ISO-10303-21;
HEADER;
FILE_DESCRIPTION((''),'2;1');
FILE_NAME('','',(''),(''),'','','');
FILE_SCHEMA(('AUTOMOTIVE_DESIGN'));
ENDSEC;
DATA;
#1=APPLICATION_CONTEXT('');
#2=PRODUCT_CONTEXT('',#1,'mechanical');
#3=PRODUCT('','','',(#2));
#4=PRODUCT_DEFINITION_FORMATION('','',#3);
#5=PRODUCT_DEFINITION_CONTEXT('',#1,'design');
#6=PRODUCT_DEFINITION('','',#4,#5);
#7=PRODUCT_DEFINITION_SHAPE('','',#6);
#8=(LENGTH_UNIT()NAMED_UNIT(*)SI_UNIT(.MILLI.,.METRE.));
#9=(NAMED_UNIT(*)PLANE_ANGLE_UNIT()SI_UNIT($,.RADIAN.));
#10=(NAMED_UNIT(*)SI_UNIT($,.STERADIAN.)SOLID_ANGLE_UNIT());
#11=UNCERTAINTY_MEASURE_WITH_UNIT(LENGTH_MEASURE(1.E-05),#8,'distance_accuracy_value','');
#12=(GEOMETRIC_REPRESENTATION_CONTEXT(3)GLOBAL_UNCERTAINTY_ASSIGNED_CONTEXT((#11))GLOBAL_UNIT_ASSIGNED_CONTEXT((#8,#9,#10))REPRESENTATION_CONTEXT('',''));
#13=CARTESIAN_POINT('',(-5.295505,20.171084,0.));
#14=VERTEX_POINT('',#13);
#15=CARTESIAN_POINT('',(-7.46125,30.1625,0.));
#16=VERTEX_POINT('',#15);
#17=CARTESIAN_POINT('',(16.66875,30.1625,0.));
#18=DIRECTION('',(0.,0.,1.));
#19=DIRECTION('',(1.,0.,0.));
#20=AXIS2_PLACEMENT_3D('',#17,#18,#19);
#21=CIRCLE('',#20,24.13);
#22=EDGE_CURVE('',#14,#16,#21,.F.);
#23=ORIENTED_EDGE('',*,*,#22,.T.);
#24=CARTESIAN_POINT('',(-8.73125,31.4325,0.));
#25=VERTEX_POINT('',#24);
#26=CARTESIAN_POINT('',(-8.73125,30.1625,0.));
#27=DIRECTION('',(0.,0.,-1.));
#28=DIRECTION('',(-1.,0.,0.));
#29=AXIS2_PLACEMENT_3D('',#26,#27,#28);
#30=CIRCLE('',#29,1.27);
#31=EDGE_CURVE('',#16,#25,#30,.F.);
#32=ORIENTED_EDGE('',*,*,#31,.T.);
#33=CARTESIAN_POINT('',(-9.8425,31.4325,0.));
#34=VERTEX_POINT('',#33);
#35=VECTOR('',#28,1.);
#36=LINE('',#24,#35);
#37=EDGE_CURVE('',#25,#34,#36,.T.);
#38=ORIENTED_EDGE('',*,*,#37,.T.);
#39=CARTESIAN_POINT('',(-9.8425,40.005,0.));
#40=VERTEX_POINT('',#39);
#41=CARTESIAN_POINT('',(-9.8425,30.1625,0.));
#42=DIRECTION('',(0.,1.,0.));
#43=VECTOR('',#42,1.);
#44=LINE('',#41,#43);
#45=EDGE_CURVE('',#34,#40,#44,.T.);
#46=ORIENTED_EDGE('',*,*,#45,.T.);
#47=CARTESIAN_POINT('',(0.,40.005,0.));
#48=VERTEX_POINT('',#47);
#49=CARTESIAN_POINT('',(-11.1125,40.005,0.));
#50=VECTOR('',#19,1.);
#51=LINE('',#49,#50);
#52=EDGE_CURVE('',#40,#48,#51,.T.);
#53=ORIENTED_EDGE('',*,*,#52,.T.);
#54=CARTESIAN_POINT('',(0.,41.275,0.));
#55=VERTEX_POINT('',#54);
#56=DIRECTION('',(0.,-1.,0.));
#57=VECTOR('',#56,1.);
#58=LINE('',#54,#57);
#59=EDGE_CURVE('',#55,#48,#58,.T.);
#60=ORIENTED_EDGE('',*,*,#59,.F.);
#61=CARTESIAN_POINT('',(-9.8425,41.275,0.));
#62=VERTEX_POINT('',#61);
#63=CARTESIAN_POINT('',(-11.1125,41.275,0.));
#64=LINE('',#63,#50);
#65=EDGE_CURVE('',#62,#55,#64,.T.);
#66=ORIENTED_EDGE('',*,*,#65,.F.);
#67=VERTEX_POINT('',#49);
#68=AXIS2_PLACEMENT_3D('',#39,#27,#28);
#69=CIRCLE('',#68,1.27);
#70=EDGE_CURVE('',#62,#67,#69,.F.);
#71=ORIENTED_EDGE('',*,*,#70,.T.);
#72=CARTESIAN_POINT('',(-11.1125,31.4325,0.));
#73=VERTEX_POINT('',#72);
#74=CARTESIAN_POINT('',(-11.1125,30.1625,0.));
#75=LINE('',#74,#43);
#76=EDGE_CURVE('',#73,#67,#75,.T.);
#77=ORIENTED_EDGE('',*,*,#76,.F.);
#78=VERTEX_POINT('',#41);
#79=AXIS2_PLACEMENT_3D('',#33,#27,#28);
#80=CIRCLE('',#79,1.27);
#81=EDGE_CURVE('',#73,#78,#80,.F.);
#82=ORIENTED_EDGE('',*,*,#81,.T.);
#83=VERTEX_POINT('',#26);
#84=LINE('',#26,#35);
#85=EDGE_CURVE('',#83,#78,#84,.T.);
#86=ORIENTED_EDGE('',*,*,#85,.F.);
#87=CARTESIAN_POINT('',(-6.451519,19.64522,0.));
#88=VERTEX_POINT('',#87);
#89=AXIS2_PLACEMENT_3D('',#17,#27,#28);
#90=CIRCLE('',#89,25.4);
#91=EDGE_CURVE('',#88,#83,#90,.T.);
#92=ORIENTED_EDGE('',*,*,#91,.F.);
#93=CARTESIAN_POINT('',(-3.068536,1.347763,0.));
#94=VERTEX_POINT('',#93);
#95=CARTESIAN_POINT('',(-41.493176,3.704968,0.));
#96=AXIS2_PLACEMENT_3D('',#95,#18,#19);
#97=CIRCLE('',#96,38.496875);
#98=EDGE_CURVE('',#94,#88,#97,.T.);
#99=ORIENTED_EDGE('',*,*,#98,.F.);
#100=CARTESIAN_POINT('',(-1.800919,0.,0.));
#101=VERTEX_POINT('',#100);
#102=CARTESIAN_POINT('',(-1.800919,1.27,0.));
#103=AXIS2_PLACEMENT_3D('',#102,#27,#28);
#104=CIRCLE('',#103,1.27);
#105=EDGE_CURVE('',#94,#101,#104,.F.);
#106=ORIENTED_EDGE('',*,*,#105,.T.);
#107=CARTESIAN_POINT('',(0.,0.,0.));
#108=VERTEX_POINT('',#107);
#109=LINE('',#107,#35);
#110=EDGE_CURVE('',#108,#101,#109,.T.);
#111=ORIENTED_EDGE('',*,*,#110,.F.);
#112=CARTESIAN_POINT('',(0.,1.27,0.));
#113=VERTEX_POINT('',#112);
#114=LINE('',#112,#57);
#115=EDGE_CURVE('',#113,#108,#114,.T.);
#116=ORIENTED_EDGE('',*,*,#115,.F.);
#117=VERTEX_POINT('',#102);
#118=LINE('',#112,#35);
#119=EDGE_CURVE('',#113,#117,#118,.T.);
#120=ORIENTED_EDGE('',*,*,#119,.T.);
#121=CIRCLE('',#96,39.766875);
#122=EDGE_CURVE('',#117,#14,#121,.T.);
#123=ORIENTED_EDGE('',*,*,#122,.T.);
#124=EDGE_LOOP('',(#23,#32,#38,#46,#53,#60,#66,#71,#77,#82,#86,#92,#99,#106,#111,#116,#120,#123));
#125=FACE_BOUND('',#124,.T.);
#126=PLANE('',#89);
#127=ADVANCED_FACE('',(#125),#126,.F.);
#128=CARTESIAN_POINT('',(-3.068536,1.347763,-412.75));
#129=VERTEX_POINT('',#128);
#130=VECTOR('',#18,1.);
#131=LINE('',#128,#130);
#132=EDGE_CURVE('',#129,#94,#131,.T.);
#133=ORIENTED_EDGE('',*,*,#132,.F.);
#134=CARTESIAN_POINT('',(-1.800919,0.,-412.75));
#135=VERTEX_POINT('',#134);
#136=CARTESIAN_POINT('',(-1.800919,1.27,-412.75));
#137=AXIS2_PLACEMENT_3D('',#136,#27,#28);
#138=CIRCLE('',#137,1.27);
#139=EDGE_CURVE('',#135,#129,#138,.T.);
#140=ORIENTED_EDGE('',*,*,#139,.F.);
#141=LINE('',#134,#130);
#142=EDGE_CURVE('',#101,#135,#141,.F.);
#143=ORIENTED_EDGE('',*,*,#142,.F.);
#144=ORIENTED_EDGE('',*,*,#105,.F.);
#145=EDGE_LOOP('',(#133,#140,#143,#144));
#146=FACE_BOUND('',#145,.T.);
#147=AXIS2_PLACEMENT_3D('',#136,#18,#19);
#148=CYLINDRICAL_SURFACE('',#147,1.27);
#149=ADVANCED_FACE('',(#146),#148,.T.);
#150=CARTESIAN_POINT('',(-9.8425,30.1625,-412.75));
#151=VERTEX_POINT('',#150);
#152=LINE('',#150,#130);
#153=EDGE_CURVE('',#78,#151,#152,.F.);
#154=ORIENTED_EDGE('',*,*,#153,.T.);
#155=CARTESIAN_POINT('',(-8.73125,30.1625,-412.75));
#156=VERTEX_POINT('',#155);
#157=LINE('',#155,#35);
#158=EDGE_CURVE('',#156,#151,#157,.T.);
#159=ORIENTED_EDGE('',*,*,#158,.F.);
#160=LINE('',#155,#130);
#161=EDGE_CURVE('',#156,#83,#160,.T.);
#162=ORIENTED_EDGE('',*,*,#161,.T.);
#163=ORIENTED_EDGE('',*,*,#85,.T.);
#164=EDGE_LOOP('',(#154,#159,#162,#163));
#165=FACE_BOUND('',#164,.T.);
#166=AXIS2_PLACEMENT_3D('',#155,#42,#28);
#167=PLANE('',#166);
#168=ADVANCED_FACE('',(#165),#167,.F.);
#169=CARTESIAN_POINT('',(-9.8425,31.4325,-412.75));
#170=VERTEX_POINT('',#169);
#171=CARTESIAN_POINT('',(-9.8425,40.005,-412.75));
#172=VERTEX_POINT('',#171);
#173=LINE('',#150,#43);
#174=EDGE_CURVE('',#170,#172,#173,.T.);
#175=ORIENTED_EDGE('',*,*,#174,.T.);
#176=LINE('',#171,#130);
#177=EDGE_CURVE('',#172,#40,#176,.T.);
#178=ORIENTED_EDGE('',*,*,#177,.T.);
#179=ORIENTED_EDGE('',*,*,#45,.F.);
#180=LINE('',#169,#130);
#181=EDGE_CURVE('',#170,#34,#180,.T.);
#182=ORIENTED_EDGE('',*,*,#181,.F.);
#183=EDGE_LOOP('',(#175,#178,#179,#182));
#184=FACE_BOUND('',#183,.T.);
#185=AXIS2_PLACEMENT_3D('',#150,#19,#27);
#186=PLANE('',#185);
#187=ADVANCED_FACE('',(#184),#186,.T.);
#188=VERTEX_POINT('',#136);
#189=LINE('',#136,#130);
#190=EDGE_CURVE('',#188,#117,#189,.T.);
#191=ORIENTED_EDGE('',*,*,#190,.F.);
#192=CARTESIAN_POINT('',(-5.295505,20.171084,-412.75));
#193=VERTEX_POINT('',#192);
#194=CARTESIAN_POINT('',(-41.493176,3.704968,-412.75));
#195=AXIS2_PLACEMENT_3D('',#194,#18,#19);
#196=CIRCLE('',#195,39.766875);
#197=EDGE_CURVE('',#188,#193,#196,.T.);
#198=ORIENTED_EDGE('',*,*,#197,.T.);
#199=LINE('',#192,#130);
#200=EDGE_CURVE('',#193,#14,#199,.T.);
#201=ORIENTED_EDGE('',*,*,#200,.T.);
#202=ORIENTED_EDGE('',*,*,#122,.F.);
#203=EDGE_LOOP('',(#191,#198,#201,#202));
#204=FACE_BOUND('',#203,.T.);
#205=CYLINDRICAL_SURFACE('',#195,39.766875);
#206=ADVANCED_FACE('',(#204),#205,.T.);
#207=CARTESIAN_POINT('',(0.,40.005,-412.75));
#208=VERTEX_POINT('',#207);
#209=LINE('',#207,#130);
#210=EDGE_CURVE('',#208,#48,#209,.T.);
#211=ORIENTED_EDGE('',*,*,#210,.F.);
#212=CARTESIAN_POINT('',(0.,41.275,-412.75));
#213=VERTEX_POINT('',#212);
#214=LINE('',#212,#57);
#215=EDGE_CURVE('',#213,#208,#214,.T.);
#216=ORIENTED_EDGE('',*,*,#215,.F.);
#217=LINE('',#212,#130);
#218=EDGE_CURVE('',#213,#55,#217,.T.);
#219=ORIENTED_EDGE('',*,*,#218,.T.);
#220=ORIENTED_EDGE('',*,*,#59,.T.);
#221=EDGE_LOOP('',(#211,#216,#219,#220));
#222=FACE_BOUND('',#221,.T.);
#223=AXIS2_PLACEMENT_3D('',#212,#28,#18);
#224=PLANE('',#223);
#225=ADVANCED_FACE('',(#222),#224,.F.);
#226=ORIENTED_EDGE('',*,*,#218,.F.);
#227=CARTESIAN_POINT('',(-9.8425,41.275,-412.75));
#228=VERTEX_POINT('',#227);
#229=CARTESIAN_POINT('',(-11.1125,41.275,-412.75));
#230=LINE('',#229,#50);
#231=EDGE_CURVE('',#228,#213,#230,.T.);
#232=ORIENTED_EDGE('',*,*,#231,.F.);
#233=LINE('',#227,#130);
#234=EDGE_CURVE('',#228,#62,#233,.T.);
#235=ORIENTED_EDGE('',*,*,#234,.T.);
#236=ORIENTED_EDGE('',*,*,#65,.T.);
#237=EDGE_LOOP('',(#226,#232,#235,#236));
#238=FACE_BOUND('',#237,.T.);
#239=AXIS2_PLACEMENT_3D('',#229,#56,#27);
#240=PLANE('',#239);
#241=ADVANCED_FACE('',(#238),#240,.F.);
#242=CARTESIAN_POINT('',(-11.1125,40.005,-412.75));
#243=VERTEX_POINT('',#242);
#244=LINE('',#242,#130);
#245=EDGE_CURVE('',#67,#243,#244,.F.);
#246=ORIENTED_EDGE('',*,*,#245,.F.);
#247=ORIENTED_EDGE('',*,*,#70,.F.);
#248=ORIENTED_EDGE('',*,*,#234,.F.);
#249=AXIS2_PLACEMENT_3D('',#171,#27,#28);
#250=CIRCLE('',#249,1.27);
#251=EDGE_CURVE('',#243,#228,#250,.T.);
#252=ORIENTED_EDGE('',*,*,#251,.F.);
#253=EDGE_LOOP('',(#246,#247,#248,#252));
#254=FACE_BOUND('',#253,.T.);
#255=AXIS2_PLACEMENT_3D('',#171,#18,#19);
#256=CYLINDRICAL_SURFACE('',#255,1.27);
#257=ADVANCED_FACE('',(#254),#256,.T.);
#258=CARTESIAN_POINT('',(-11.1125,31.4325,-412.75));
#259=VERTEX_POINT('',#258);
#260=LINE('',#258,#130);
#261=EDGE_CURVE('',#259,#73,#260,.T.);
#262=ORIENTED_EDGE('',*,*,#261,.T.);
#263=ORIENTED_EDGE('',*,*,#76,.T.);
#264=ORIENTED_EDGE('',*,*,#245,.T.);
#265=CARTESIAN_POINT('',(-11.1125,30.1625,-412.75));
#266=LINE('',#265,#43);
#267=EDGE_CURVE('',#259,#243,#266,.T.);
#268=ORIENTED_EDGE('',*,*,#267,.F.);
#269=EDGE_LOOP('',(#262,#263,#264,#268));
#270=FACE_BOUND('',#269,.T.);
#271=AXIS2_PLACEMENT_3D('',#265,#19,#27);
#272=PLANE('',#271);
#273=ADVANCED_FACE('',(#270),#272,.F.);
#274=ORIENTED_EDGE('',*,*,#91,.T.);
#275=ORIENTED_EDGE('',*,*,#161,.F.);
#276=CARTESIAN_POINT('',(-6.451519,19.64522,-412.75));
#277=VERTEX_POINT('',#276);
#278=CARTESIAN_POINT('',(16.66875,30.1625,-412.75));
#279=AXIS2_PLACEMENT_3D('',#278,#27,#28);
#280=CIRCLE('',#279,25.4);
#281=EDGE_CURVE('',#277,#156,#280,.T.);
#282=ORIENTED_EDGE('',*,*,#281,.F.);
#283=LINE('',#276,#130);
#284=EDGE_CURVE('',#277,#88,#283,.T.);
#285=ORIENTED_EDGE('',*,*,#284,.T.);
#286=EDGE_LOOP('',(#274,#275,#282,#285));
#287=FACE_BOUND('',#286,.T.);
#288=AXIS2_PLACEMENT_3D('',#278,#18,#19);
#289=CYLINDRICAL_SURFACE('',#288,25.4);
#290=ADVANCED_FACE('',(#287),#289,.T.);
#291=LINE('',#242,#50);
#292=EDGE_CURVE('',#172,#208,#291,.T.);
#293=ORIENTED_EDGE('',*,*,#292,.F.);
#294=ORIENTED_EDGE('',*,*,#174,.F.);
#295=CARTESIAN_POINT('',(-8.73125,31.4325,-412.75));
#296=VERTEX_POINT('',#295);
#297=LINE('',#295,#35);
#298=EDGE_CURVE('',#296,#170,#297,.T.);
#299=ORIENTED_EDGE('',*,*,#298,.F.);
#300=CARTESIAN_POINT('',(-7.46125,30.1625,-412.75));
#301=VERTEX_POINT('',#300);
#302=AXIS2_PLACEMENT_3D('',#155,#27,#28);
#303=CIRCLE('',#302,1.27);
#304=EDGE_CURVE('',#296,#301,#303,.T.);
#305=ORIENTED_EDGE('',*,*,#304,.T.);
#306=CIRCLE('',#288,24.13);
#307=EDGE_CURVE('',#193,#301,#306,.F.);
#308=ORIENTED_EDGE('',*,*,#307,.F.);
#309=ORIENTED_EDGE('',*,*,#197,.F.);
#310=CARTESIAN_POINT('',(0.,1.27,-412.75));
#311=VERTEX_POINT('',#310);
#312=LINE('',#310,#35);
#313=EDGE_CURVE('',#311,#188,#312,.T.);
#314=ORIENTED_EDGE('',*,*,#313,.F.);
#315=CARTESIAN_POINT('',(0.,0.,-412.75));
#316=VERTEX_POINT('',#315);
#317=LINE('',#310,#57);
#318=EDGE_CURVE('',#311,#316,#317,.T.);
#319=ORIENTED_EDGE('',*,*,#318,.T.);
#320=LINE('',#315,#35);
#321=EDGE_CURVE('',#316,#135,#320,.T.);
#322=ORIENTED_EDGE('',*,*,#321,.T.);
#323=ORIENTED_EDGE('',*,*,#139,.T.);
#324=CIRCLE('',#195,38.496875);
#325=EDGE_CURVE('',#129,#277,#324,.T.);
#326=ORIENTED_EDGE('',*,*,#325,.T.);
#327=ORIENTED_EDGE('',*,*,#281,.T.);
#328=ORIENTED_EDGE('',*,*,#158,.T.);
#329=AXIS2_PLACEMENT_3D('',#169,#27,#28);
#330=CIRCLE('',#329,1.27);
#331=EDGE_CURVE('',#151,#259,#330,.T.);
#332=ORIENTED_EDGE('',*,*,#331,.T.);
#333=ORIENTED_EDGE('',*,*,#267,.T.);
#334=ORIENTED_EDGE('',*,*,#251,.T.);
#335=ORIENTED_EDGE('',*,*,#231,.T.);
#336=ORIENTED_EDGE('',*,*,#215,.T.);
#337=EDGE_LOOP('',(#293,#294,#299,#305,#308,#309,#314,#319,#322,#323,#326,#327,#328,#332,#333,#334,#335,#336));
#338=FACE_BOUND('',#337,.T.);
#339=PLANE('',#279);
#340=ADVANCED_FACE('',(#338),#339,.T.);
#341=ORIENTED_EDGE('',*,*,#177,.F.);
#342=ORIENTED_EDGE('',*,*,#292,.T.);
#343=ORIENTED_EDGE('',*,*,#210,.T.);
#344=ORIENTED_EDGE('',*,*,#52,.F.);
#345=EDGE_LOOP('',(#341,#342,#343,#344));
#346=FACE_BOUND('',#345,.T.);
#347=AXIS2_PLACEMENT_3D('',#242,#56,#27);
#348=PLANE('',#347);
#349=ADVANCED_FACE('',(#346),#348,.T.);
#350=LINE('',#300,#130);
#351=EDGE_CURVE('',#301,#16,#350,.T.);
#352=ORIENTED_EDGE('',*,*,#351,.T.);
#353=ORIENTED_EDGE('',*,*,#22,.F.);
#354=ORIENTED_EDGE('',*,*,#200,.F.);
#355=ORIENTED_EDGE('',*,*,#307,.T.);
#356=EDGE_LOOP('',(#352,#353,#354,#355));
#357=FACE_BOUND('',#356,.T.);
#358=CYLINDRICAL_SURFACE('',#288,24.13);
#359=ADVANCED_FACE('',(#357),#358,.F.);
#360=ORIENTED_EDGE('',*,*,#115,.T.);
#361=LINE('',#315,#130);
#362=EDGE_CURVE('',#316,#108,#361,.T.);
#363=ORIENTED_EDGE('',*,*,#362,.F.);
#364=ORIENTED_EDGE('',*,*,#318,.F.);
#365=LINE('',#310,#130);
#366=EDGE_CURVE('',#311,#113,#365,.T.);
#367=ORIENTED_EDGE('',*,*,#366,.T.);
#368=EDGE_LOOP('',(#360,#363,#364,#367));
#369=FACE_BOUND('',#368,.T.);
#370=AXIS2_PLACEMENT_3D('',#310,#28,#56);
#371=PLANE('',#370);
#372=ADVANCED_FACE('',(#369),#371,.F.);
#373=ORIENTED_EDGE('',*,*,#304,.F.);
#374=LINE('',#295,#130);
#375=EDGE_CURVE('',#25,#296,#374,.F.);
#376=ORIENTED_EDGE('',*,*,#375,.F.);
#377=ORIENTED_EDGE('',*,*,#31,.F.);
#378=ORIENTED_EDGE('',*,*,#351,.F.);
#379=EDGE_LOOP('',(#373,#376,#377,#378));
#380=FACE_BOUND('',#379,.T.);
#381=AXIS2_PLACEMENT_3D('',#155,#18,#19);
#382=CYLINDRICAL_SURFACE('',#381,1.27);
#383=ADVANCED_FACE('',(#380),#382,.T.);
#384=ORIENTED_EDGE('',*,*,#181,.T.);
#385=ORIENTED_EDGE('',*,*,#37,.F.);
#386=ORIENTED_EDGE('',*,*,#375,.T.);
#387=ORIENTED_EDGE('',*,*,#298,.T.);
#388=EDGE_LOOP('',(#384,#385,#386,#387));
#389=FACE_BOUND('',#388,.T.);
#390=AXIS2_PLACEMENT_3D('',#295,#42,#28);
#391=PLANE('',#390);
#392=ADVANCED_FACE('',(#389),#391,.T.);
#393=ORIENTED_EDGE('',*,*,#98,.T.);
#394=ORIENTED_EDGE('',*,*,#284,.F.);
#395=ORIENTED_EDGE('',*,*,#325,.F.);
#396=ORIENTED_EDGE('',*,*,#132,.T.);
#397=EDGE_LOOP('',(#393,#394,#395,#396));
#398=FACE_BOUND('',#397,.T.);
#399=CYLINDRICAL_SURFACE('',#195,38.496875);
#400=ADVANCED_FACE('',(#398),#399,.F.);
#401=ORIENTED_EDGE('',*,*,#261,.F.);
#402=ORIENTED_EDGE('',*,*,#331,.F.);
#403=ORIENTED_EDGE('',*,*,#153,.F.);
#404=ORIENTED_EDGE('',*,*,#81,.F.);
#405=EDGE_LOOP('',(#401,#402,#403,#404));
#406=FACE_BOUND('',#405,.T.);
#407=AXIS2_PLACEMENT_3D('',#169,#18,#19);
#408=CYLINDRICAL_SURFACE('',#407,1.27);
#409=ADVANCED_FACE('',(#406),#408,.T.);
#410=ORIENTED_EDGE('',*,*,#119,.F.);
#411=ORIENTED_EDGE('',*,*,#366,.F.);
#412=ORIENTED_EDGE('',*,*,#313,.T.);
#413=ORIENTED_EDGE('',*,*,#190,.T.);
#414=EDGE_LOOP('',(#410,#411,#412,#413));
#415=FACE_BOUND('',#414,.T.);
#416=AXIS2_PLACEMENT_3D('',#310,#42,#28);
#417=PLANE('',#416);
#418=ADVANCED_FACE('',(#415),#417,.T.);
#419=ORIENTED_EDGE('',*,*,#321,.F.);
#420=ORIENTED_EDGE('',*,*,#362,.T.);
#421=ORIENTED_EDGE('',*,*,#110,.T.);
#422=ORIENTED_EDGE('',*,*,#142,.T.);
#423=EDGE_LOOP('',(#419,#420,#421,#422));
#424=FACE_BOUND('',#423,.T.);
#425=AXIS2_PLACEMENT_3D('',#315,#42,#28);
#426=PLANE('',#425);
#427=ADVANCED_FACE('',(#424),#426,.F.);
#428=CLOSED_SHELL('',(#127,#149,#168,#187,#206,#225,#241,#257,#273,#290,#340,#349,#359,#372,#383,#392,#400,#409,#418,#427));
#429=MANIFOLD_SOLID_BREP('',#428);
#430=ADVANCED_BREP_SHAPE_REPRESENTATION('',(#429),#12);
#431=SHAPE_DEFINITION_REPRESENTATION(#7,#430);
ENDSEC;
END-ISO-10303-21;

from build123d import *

# Parameters (mm, degrees)
EXTRUDE_THIN1_DEPTH = 412.75
FILLET1_R           = 1.27


with BuildPart() as part:
    # Sketch1 → Extrude-Thin1 (new body)
    with BuildSketch(Plane.XY):
        with BuildLine():
            Line((0, 0), (-3.175, 0))
            ThreePointArc((-3.175, 0), (-3.520818221, 10.038169204), (-6.451518656, 19.645220062))
            ThreePointArc((-6.451518656, 19.645220062), (-8.154775373, 24.78173908), (-8.73125, 30.1625))
            Line((-8.73125, 30.1625), (-11.1125, 30.1625))
            Line((-11.1125, 30.1625), (-11.1125, 41.275))
            Line((-11.1125, 41.275), (0, 41.275))
            Line((0, 41.275), (0, 40.005))
            Line((0, 40.005), (-9.8425, 40.005))
            Line((-9.8425, 40.005), (-9.8425, 31.4325))
            Line((-9.8425, 31.4325), (-7.42780577, 31.4325))
            ThreePointArc((-7.42780577, 31.4325), (-7.03999205, 25.673351928), (-5.295505223, 20.171084059))
            ThreePointArc((-5.295505223, 20.171084059), (-2.389045241, 10.934858222), (-1.80091866, 1.27))
            Line((-1.80091866, 1.27), (0, 1.27))
            Line((0, 1.27), (0, 0))
        make_face()
    extrude(amount=-EXTRUDE_THIN1_DEPTH)

    # Fillet1
    fillet1_edges = [part.edges().sort_by_distance(p)[0] for p in [
        (-7.42780577, 31.4325, -206.375),
        (-3.175, 0, -206.375),
        (-11.1125, 30.1625, -206.375),
        (-11.1125, 41.275, -206.375),
    ]]
    fillet(fillet1_edges, radius=FILLET1_R)


solid = part.part
